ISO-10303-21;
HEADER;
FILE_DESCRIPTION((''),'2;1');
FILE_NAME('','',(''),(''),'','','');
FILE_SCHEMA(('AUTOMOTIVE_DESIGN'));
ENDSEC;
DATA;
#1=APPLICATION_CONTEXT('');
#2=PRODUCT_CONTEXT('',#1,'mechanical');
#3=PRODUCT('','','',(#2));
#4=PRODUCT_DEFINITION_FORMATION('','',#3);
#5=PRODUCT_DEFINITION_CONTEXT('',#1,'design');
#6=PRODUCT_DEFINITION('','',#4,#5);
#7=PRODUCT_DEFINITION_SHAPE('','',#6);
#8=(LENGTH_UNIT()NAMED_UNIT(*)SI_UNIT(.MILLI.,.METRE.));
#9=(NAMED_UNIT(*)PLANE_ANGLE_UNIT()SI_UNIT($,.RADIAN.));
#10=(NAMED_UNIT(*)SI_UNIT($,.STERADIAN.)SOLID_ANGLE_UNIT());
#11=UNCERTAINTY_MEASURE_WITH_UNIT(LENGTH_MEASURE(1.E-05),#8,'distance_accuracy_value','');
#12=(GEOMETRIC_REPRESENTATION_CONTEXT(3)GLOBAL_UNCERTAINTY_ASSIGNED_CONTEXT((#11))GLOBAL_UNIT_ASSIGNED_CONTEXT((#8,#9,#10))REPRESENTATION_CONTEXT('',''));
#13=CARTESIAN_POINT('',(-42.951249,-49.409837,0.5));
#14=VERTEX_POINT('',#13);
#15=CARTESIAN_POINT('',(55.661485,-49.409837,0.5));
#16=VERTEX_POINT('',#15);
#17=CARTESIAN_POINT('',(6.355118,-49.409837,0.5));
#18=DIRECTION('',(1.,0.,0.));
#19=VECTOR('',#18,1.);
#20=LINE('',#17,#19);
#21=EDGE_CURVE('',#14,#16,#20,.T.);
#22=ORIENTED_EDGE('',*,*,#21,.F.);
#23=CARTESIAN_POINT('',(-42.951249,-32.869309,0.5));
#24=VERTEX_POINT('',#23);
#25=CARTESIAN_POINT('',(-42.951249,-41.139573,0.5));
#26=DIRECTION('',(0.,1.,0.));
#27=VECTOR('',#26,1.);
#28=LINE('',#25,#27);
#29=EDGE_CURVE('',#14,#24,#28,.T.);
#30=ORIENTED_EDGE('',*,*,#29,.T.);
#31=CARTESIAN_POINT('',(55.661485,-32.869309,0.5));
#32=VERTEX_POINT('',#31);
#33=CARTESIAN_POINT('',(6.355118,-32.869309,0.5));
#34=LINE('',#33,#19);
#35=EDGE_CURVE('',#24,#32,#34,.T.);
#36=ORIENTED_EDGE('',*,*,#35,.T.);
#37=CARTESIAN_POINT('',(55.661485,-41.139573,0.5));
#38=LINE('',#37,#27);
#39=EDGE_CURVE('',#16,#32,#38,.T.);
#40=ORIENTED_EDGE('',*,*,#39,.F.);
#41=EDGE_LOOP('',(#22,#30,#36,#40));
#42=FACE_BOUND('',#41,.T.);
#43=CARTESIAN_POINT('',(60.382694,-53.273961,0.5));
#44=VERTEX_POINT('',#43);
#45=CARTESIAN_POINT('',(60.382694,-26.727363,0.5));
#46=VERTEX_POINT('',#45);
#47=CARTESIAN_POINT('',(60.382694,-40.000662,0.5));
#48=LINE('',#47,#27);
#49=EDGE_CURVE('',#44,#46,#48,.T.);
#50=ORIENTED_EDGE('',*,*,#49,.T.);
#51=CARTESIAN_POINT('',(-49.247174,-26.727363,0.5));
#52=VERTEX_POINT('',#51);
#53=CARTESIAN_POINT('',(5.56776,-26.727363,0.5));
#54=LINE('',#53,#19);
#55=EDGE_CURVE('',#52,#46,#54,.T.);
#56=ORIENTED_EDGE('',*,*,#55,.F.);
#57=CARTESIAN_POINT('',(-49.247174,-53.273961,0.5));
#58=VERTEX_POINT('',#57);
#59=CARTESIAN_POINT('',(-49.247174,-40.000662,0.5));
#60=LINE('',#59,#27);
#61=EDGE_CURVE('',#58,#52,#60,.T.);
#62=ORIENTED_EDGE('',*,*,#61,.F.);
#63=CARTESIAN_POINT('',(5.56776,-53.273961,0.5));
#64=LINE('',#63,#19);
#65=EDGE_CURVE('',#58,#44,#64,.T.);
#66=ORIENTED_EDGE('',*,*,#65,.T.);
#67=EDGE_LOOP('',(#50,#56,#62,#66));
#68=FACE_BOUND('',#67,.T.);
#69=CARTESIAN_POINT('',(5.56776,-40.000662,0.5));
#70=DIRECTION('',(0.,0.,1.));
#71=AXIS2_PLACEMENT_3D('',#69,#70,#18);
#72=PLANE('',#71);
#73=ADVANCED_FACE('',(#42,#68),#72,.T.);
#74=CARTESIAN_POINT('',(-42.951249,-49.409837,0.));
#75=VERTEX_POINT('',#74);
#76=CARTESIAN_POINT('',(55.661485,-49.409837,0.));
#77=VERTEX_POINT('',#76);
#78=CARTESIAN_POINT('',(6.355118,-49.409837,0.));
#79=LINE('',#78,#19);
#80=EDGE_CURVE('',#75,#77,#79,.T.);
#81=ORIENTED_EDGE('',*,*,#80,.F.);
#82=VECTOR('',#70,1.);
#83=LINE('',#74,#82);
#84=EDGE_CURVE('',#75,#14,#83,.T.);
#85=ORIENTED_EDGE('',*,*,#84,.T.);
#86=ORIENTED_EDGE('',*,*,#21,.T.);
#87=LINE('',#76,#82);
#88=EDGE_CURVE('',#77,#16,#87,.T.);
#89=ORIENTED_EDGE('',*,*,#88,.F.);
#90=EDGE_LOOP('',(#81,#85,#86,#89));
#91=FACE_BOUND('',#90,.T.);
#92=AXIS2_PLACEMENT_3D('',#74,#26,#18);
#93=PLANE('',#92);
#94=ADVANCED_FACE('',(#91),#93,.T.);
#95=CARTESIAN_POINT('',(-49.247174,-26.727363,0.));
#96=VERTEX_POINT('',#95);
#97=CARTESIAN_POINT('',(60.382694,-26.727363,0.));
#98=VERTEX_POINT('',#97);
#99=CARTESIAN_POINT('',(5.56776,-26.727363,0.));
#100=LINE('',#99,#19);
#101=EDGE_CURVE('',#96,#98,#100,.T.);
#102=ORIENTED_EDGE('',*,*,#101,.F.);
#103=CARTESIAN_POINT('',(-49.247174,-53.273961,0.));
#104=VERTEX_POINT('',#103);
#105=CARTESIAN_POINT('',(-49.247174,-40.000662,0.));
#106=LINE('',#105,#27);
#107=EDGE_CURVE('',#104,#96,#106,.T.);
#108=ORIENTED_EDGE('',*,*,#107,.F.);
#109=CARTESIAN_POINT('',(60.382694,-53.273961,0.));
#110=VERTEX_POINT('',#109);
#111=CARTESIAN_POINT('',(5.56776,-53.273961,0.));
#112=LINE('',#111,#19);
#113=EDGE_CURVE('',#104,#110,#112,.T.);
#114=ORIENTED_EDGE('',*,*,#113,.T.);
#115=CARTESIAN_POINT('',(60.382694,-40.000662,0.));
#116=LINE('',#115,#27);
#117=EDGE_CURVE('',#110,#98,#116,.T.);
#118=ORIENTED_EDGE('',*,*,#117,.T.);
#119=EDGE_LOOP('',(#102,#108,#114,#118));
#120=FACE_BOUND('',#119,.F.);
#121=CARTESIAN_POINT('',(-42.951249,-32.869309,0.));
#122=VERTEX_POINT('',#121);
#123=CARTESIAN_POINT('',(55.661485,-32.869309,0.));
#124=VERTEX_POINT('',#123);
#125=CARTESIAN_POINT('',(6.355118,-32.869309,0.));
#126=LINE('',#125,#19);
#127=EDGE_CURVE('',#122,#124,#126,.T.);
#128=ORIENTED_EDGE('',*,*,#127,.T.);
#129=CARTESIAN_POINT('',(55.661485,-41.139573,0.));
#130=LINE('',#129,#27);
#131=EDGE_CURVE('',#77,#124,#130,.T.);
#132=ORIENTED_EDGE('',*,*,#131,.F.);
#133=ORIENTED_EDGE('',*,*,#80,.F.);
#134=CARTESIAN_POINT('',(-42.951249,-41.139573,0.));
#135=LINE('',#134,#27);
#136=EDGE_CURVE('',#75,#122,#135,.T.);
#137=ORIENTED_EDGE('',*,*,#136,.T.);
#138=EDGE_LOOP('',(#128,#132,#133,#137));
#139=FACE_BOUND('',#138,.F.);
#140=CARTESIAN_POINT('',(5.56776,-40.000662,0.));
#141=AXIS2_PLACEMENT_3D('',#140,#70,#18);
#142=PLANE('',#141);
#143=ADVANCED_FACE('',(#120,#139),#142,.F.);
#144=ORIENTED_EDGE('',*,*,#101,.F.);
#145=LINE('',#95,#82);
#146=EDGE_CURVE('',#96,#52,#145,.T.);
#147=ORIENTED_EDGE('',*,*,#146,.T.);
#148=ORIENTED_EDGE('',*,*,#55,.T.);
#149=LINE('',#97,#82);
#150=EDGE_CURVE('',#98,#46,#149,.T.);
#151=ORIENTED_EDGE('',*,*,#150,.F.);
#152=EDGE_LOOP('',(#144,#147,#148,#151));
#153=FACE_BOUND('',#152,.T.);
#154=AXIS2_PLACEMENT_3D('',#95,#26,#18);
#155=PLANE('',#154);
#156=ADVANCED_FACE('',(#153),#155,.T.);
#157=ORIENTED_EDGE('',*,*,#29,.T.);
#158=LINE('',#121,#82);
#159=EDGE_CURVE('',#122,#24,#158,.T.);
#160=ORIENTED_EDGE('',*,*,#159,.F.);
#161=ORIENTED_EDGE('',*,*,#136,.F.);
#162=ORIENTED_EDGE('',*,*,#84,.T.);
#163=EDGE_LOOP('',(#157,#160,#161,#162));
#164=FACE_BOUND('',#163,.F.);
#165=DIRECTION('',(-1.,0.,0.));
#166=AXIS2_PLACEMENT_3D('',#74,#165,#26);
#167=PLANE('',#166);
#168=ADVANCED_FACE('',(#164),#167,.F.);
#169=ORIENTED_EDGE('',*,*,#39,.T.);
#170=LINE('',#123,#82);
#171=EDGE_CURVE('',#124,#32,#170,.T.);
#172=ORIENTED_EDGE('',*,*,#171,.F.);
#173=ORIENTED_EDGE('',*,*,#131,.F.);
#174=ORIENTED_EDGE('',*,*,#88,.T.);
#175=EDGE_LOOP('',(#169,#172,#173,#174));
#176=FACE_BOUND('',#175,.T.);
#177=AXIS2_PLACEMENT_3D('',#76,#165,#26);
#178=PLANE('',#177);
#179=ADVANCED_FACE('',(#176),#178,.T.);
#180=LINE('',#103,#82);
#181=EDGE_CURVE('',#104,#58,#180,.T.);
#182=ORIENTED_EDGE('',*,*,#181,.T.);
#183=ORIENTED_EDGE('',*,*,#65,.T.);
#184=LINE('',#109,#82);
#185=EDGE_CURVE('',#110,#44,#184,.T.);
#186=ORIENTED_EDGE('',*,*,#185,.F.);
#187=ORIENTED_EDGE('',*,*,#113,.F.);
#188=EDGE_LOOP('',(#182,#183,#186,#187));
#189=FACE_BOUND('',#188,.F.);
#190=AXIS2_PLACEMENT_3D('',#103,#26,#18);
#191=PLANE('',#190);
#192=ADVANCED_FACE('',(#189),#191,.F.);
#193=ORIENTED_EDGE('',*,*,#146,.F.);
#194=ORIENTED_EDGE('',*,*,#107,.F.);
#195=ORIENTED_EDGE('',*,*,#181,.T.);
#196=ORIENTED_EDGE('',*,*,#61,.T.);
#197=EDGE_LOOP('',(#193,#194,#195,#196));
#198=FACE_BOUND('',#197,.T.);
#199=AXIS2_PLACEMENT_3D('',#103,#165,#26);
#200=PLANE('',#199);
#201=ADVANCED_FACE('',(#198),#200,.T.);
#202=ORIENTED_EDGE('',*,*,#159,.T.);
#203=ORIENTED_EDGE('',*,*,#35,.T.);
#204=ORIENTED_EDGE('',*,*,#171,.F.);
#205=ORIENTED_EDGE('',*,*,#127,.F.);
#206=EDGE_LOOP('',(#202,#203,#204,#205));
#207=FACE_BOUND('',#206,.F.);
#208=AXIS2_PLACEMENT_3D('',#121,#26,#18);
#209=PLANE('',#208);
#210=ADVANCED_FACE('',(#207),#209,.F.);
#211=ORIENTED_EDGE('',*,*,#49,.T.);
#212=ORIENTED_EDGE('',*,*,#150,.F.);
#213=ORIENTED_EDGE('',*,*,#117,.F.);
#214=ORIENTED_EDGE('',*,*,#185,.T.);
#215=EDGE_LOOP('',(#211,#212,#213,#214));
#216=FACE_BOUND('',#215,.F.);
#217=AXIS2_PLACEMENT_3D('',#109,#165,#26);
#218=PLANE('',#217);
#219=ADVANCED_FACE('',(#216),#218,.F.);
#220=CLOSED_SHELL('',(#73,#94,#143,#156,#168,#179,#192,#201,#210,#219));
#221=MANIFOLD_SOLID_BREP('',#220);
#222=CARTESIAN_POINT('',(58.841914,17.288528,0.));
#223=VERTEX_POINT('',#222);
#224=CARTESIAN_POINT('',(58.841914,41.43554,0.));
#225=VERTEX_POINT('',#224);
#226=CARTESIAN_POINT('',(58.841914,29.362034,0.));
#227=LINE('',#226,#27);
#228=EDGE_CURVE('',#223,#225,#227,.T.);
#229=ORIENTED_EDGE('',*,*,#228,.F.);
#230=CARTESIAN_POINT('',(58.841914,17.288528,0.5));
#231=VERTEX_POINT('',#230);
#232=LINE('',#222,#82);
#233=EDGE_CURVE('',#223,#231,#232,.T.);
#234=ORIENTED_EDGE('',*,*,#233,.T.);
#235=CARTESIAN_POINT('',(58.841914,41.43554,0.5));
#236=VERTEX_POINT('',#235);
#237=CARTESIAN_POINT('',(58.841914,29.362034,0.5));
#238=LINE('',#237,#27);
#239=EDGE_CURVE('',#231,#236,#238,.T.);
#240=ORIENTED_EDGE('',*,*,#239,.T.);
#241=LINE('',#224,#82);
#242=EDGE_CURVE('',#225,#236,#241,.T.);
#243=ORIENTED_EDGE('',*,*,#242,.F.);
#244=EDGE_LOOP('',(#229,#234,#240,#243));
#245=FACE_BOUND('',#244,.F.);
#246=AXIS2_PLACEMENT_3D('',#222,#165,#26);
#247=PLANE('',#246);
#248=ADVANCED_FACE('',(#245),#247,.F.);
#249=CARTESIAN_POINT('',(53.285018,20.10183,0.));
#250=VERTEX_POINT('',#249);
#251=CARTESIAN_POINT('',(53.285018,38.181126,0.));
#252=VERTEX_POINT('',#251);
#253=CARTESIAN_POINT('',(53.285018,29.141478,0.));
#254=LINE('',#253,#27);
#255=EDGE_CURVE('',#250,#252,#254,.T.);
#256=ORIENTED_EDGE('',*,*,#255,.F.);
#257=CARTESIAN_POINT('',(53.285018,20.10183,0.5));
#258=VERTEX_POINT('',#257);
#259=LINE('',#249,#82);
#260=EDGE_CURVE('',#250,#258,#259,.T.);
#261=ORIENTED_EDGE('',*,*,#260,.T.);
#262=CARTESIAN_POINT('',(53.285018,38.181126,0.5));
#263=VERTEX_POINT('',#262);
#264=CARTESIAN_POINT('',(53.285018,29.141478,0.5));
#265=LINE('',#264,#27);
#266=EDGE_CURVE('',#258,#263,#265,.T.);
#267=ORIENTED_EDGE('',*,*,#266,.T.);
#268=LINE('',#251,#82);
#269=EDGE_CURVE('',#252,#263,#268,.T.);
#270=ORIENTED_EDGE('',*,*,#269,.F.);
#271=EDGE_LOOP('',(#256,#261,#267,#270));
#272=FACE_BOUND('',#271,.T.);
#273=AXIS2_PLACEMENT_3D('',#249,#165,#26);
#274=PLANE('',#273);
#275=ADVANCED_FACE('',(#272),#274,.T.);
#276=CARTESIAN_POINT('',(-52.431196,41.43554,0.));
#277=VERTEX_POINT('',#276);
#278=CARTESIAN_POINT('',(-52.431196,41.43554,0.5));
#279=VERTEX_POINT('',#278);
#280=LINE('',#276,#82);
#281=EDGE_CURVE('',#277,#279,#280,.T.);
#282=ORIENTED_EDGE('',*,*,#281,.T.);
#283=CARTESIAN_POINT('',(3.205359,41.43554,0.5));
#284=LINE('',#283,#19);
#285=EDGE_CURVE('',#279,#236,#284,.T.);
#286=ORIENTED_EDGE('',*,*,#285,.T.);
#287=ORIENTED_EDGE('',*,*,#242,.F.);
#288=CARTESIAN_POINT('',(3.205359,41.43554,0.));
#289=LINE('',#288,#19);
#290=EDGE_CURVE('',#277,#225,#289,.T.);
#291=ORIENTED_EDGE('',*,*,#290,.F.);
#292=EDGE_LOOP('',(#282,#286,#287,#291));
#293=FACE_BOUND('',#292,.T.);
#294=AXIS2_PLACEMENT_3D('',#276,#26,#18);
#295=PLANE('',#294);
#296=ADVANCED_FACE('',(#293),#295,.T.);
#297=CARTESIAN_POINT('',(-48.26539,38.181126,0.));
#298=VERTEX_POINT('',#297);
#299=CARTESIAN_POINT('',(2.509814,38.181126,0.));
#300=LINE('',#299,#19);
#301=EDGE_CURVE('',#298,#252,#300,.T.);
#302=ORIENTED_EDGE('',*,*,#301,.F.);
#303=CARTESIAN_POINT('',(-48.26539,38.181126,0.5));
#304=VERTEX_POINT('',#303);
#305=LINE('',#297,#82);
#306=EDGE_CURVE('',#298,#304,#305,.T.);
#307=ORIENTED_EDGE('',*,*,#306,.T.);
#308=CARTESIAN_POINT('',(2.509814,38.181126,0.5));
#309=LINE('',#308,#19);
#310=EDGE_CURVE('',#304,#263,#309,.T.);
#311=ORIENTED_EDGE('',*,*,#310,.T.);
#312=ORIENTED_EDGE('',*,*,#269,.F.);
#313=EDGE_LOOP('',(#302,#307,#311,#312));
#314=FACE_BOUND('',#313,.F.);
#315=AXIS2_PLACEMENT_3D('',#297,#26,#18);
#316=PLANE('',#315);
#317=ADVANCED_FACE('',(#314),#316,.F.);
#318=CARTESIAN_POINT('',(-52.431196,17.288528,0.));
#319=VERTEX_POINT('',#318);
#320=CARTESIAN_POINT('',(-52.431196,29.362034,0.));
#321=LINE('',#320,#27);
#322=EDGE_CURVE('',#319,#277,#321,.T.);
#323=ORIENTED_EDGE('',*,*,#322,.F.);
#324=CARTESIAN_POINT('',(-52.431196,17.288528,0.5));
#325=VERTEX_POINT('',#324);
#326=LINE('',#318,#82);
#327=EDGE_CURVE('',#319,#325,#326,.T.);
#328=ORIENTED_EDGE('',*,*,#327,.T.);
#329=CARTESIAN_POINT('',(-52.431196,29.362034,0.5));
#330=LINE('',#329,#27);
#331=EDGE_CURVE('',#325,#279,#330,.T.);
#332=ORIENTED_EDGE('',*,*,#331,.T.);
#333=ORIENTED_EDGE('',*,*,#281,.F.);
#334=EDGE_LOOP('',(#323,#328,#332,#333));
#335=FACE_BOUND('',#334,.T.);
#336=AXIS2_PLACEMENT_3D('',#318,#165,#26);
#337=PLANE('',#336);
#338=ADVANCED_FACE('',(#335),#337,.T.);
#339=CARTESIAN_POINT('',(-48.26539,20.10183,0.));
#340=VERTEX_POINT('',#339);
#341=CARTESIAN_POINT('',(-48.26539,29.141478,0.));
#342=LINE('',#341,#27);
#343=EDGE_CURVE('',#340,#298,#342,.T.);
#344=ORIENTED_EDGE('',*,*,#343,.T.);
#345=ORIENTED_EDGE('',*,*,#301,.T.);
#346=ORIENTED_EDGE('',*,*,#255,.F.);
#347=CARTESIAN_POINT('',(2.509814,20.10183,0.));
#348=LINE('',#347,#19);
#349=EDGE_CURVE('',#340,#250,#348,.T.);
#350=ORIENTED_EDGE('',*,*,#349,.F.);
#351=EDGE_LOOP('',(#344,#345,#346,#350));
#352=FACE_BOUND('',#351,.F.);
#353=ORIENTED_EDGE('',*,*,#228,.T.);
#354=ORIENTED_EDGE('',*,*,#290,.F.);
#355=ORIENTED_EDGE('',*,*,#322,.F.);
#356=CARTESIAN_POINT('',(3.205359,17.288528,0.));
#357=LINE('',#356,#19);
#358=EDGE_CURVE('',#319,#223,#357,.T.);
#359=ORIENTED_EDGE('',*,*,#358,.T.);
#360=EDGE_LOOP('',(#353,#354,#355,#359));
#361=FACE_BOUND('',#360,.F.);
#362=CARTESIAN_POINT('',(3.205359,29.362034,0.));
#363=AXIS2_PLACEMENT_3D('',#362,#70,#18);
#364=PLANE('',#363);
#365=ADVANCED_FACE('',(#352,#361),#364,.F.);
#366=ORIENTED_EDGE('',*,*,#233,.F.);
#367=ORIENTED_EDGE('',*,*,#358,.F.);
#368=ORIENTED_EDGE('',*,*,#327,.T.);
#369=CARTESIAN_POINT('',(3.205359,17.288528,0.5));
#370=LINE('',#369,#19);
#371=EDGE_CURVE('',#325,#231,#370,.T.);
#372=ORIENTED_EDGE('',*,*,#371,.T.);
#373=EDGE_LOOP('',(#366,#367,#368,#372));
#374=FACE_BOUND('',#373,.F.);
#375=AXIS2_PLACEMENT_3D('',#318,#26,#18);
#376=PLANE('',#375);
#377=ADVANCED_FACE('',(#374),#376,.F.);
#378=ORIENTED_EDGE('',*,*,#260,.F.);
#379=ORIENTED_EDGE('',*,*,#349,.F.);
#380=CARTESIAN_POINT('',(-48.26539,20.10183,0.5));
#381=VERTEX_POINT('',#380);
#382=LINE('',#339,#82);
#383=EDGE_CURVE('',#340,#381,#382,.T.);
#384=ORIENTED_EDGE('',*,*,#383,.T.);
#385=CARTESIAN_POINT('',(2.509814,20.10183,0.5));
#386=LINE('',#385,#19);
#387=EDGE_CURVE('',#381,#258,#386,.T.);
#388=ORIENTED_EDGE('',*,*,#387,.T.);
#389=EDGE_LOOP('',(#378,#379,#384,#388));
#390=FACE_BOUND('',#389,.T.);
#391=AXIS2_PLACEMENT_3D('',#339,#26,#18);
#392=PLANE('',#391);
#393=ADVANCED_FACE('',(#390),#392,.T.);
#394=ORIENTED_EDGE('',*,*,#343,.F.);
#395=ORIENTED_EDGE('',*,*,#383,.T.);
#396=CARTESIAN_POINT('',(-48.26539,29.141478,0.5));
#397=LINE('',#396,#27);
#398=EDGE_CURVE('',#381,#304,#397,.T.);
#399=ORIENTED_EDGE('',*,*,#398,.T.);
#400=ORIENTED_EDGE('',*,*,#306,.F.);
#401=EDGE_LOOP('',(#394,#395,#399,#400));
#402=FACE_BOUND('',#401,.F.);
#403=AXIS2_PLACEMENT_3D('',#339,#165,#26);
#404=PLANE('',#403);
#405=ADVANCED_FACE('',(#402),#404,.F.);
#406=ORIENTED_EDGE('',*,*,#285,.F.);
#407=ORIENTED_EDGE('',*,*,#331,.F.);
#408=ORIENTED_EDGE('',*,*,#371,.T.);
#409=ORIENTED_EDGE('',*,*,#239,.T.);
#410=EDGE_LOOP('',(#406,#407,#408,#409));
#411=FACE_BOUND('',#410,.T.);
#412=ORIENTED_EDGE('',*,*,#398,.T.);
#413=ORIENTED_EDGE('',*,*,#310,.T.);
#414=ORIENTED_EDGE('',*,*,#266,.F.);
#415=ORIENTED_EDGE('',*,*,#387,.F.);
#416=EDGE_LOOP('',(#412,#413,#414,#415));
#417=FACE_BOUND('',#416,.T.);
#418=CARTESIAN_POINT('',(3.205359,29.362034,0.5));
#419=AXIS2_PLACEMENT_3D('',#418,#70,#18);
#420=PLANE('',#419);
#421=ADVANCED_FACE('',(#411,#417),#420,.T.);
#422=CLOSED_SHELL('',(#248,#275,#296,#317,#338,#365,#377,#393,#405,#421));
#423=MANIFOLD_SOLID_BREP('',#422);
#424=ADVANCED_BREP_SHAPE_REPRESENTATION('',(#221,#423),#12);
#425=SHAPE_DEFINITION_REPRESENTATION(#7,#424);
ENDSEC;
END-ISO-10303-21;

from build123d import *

# Parameters (mm, degrees)
F0_W     = 111.27311
F0_H     = 24.147012
F0_W_2   = 101.550408
F0_H_2   = 18.079297
F1_W     = 109.629869
F1_H     = 26.546598
F1_W_2   = 98.612734
F1_H_2   = 16.540528
F2_DEPTH = 0.5


with BuildPart() as f2:
    # F0 (on Top) + F1 (on Top) → F2 (new body)
    with BuildSketch(Plane.XY):
        with Locations((3.205359, 29.362034)):
            Rectangle(F0_W, F0_H)
        with Locations((2.509814, 29.141478)):
            Rectangle(F0_W_2, F0_H_2, mode=Mode.SUBTRACT)
    with BuildSketch(Plane.XY):
        with Locations((5.56776, -40.000662)):
            Rectangle(F1_W, F1_H)
        with Locations((6.355118, -41.139573)):
            Rectangle(F1_W_2, F1_H_2, mode=Mode.SUBTRACT)
    extrude(amount=F2_DEPTH)


solid = f2.part
